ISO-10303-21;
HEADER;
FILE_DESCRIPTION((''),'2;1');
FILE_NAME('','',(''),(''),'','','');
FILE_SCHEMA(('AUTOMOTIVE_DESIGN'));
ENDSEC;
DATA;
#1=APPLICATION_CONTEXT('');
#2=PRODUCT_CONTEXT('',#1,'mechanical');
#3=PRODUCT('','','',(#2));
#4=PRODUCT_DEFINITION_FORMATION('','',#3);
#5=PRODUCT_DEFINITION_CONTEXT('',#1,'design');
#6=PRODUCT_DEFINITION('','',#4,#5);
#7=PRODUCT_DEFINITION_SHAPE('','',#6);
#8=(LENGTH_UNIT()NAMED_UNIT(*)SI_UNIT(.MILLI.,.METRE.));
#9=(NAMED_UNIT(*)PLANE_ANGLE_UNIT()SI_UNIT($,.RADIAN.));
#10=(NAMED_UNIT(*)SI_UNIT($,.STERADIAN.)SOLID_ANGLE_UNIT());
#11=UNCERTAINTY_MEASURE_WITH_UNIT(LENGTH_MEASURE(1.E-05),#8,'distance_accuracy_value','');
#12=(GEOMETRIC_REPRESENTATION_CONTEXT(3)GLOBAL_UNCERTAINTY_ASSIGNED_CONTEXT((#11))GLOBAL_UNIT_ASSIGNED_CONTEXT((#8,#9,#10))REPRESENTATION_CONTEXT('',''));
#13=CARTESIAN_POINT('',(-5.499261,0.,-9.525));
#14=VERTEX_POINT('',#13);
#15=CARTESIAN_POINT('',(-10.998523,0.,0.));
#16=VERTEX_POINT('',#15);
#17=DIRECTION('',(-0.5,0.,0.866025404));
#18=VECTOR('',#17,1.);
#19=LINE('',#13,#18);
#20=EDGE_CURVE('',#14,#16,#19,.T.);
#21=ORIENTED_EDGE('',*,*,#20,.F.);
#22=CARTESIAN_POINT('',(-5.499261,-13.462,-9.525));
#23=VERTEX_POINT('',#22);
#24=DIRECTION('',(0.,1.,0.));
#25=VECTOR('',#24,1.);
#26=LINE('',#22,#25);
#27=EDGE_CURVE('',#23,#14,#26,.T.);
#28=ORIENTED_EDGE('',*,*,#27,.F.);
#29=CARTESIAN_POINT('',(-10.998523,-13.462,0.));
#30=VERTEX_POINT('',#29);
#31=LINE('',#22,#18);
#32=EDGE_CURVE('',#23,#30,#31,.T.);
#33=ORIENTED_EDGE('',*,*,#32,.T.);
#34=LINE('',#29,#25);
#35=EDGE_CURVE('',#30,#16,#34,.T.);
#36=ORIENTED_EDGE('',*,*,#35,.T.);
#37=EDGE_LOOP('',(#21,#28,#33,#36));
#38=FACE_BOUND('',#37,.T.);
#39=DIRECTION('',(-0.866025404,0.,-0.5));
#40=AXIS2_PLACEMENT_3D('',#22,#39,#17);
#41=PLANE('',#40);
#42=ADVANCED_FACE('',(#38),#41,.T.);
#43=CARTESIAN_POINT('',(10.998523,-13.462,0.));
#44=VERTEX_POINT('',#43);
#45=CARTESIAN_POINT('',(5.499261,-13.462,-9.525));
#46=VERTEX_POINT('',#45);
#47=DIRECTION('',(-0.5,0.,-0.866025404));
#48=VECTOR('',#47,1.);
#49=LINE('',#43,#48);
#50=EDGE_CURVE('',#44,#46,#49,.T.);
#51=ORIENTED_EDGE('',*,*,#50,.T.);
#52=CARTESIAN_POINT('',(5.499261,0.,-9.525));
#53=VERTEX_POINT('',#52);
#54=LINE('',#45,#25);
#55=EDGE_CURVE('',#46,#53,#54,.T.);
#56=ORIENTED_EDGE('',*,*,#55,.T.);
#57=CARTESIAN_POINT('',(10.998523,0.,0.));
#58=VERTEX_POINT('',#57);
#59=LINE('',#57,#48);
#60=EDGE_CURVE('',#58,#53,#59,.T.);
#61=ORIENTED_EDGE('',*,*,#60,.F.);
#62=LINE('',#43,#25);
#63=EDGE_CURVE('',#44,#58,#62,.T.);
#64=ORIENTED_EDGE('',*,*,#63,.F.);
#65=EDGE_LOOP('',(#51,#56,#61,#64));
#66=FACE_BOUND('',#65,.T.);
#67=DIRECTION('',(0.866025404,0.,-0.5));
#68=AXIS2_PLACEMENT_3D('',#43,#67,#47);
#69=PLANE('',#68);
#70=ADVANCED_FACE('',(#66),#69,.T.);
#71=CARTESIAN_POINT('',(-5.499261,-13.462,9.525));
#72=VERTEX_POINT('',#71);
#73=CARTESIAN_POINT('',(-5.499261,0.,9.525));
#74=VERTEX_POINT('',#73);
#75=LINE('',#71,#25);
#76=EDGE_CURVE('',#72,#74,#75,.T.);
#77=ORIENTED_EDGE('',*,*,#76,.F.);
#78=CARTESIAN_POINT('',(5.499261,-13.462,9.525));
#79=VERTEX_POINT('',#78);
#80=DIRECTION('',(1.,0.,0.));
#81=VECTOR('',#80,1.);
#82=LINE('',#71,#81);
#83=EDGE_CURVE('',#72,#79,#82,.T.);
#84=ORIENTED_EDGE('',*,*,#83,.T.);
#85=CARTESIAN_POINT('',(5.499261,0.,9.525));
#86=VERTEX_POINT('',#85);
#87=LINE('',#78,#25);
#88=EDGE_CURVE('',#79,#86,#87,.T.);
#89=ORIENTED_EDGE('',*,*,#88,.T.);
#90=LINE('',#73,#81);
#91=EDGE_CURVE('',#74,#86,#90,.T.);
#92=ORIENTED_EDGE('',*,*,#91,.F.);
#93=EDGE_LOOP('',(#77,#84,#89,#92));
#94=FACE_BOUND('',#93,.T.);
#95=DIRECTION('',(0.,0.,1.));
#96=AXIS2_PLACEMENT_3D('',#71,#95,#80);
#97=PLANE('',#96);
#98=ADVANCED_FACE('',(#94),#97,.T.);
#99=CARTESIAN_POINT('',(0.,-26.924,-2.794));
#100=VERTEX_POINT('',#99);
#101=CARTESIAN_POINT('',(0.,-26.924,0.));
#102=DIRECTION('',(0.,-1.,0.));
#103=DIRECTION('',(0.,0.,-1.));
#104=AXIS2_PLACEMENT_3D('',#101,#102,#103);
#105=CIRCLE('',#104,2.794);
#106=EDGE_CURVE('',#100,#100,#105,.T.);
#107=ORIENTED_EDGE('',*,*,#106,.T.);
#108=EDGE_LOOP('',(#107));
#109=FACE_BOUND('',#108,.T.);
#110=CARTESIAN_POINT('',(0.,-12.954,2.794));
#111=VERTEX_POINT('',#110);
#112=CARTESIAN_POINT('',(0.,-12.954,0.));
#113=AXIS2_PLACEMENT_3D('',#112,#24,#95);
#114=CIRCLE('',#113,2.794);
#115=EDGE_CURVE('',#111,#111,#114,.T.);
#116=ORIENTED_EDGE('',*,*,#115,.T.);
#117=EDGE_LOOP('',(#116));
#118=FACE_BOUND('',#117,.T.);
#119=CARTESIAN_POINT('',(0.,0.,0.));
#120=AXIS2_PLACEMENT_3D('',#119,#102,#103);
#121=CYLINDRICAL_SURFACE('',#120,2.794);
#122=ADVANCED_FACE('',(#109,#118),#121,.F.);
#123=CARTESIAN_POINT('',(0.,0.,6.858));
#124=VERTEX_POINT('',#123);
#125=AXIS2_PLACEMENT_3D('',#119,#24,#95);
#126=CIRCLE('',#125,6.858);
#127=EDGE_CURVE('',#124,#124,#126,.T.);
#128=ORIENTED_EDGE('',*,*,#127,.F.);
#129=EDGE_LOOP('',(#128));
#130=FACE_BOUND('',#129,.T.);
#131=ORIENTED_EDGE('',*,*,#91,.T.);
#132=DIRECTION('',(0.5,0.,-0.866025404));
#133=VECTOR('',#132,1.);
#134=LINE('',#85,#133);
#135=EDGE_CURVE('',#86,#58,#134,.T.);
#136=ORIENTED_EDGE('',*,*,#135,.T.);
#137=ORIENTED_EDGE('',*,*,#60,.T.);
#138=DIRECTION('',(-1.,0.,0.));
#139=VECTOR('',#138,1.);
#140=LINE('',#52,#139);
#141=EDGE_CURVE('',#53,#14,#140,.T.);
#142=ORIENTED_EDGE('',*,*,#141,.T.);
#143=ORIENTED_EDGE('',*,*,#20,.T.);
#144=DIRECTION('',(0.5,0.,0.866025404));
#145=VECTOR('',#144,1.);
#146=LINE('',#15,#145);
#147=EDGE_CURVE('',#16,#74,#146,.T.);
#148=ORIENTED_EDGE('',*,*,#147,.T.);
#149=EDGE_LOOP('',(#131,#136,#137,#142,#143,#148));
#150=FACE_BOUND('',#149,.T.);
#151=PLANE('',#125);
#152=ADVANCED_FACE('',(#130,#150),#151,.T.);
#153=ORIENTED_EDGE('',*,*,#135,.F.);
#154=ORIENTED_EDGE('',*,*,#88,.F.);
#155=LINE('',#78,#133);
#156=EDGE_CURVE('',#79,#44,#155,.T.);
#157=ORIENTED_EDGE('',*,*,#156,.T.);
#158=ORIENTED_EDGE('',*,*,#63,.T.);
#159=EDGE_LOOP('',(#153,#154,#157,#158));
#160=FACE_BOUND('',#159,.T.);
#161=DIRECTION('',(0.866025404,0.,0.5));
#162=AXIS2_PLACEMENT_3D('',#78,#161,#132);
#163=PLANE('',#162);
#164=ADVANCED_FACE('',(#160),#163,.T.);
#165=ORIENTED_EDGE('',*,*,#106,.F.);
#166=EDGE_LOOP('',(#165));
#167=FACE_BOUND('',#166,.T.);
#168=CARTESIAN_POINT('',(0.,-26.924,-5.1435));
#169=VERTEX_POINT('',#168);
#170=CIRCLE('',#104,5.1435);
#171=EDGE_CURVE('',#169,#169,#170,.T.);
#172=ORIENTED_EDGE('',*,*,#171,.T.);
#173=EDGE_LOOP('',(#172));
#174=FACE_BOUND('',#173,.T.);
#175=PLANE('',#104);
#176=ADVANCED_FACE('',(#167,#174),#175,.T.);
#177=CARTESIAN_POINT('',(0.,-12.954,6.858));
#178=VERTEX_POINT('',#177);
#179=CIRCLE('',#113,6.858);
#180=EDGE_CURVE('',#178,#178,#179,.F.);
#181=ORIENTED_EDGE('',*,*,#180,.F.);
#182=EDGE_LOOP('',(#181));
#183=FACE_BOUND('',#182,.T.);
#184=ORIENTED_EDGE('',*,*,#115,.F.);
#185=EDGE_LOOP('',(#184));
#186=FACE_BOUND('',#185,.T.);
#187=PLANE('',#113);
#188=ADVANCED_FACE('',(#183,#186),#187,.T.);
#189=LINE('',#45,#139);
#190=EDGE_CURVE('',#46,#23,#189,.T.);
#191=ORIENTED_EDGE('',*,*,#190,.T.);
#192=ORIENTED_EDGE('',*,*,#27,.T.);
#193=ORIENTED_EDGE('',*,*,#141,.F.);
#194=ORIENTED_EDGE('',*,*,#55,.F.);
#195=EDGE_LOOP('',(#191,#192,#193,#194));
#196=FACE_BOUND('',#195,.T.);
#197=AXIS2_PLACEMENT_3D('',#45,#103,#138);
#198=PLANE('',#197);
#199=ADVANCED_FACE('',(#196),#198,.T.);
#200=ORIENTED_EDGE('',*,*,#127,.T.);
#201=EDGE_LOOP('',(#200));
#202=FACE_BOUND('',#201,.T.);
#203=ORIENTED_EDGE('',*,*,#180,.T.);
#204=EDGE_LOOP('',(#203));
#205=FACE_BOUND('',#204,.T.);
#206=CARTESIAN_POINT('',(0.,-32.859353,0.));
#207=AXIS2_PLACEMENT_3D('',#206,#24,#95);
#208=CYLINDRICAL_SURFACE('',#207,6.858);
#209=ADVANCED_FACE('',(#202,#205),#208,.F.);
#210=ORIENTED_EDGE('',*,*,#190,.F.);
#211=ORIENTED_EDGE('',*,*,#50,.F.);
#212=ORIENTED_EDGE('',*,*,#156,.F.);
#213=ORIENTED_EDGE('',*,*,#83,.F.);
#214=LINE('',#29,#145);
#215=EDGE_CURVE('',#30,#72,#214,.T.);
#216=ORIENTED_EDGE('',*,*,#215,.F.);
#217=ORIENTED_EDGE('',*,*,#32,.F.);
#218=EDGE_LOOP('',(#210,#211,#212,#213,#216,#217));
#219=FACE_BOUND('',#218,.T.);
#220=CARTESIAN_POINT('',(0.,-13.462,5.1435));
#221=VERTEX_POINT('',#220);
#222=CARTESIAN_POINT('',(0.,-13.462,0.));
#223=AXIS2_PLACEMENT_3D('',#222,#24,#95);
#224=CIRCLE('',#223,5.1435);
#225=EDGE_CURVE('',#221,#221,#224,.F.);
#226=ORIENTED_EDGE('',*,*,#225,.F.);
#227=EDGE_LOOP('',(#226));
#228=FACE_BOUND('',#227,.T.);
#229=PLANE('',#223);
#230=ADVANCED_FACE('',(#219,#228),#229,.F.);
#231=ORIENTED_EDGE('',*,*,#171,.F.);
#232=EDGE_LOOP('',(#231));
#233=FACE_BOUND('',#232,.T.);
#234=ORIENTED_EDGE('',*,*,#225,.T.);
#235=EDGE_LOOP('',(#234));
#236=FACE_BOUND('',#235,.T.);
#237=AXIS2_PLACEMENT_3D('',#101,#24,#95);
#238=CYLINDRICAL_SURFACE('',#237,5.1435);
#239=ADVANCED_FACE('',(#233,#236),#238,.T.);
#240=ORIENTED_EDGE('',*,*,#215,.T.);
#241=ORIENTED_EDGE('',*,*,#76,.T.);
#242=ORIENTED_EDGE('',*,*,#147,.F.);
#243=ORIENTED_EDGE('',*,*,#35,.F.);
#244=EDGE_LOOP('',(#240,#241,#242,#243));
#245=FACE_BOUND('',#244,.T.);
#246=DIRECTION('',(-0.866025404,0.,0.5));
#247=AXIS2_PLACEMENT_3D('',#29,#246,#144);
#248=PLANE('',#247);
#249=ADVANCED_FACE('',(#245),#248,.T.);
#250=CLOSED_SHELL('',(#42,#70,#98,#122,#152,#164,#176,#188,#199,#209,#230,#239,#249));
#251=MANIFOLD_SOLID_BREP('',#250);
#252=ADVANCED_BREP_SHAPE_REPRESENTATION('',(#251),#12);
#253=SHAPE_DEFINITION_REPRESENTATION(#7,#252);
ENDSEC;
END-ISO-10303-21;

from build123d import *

# Parameters (mm, degrees)
BOSS_EXTRUDE1_DEPTH = 13.462
SKETCH2_R           = 6.858
CUT_EXTRUDE1_DEPTH  = 12.954
SKETCH3_R           = 5.1435
BOSS_EXTRUDE2_DEPTH = 13.462
SKETCH4_R           = 2.794
CUT_EXTRUDE2_DEPTH  = 27.924


with BuildPart() as part:
    # Sketch1 → Boss-Extrude1 (new body)
    with BuildSketch(Plane(origin=(0, 0, 0), x_dir=(1, 0, 0), z_dir=(0, 1, 0))):
        Polygon((5.499261314, 9.525), (-5.499261314, 9.525), (-10.998522628, 0), (-5.499261314, -9.525), (5.499261314, -9.525), (10.998522628, 0), align=None)
    extrude(amount=-BOSS_EXTRUDE1_DEPTH)

    # Sketch2 → Cut-Extrude1 (cut)
    with BuildSketch(Plane(origin=(0, 0, 0), x_dir=(1, 0, 0), z_dir=(0, 1, 0))):
        Circle(SKETCH2_R)
    extrude(amount=-CUT_EXTRUDE1_DEPTH, mode=Mode.SUBTRACT)

    # Sketch3 → Boss-Extrude2 (add)
    with BuildSketch(Plane.XZ.offset(13.462)):
        Circle(SKETCH3_R)
    extrude(amount=BOSS_EXTRUDE2_DEPTH)

    # Sketch4 → Cut-Extrude2 (cut, through all)
    with BuildSketch(Plane.XZ.offset(26.924)):
        Circle(SKETCH4_R)
    extrude(amount=-CUT_EXTRUDE2_DEPTH, mode=Mode.SUBTRACT)


solid = part.part
